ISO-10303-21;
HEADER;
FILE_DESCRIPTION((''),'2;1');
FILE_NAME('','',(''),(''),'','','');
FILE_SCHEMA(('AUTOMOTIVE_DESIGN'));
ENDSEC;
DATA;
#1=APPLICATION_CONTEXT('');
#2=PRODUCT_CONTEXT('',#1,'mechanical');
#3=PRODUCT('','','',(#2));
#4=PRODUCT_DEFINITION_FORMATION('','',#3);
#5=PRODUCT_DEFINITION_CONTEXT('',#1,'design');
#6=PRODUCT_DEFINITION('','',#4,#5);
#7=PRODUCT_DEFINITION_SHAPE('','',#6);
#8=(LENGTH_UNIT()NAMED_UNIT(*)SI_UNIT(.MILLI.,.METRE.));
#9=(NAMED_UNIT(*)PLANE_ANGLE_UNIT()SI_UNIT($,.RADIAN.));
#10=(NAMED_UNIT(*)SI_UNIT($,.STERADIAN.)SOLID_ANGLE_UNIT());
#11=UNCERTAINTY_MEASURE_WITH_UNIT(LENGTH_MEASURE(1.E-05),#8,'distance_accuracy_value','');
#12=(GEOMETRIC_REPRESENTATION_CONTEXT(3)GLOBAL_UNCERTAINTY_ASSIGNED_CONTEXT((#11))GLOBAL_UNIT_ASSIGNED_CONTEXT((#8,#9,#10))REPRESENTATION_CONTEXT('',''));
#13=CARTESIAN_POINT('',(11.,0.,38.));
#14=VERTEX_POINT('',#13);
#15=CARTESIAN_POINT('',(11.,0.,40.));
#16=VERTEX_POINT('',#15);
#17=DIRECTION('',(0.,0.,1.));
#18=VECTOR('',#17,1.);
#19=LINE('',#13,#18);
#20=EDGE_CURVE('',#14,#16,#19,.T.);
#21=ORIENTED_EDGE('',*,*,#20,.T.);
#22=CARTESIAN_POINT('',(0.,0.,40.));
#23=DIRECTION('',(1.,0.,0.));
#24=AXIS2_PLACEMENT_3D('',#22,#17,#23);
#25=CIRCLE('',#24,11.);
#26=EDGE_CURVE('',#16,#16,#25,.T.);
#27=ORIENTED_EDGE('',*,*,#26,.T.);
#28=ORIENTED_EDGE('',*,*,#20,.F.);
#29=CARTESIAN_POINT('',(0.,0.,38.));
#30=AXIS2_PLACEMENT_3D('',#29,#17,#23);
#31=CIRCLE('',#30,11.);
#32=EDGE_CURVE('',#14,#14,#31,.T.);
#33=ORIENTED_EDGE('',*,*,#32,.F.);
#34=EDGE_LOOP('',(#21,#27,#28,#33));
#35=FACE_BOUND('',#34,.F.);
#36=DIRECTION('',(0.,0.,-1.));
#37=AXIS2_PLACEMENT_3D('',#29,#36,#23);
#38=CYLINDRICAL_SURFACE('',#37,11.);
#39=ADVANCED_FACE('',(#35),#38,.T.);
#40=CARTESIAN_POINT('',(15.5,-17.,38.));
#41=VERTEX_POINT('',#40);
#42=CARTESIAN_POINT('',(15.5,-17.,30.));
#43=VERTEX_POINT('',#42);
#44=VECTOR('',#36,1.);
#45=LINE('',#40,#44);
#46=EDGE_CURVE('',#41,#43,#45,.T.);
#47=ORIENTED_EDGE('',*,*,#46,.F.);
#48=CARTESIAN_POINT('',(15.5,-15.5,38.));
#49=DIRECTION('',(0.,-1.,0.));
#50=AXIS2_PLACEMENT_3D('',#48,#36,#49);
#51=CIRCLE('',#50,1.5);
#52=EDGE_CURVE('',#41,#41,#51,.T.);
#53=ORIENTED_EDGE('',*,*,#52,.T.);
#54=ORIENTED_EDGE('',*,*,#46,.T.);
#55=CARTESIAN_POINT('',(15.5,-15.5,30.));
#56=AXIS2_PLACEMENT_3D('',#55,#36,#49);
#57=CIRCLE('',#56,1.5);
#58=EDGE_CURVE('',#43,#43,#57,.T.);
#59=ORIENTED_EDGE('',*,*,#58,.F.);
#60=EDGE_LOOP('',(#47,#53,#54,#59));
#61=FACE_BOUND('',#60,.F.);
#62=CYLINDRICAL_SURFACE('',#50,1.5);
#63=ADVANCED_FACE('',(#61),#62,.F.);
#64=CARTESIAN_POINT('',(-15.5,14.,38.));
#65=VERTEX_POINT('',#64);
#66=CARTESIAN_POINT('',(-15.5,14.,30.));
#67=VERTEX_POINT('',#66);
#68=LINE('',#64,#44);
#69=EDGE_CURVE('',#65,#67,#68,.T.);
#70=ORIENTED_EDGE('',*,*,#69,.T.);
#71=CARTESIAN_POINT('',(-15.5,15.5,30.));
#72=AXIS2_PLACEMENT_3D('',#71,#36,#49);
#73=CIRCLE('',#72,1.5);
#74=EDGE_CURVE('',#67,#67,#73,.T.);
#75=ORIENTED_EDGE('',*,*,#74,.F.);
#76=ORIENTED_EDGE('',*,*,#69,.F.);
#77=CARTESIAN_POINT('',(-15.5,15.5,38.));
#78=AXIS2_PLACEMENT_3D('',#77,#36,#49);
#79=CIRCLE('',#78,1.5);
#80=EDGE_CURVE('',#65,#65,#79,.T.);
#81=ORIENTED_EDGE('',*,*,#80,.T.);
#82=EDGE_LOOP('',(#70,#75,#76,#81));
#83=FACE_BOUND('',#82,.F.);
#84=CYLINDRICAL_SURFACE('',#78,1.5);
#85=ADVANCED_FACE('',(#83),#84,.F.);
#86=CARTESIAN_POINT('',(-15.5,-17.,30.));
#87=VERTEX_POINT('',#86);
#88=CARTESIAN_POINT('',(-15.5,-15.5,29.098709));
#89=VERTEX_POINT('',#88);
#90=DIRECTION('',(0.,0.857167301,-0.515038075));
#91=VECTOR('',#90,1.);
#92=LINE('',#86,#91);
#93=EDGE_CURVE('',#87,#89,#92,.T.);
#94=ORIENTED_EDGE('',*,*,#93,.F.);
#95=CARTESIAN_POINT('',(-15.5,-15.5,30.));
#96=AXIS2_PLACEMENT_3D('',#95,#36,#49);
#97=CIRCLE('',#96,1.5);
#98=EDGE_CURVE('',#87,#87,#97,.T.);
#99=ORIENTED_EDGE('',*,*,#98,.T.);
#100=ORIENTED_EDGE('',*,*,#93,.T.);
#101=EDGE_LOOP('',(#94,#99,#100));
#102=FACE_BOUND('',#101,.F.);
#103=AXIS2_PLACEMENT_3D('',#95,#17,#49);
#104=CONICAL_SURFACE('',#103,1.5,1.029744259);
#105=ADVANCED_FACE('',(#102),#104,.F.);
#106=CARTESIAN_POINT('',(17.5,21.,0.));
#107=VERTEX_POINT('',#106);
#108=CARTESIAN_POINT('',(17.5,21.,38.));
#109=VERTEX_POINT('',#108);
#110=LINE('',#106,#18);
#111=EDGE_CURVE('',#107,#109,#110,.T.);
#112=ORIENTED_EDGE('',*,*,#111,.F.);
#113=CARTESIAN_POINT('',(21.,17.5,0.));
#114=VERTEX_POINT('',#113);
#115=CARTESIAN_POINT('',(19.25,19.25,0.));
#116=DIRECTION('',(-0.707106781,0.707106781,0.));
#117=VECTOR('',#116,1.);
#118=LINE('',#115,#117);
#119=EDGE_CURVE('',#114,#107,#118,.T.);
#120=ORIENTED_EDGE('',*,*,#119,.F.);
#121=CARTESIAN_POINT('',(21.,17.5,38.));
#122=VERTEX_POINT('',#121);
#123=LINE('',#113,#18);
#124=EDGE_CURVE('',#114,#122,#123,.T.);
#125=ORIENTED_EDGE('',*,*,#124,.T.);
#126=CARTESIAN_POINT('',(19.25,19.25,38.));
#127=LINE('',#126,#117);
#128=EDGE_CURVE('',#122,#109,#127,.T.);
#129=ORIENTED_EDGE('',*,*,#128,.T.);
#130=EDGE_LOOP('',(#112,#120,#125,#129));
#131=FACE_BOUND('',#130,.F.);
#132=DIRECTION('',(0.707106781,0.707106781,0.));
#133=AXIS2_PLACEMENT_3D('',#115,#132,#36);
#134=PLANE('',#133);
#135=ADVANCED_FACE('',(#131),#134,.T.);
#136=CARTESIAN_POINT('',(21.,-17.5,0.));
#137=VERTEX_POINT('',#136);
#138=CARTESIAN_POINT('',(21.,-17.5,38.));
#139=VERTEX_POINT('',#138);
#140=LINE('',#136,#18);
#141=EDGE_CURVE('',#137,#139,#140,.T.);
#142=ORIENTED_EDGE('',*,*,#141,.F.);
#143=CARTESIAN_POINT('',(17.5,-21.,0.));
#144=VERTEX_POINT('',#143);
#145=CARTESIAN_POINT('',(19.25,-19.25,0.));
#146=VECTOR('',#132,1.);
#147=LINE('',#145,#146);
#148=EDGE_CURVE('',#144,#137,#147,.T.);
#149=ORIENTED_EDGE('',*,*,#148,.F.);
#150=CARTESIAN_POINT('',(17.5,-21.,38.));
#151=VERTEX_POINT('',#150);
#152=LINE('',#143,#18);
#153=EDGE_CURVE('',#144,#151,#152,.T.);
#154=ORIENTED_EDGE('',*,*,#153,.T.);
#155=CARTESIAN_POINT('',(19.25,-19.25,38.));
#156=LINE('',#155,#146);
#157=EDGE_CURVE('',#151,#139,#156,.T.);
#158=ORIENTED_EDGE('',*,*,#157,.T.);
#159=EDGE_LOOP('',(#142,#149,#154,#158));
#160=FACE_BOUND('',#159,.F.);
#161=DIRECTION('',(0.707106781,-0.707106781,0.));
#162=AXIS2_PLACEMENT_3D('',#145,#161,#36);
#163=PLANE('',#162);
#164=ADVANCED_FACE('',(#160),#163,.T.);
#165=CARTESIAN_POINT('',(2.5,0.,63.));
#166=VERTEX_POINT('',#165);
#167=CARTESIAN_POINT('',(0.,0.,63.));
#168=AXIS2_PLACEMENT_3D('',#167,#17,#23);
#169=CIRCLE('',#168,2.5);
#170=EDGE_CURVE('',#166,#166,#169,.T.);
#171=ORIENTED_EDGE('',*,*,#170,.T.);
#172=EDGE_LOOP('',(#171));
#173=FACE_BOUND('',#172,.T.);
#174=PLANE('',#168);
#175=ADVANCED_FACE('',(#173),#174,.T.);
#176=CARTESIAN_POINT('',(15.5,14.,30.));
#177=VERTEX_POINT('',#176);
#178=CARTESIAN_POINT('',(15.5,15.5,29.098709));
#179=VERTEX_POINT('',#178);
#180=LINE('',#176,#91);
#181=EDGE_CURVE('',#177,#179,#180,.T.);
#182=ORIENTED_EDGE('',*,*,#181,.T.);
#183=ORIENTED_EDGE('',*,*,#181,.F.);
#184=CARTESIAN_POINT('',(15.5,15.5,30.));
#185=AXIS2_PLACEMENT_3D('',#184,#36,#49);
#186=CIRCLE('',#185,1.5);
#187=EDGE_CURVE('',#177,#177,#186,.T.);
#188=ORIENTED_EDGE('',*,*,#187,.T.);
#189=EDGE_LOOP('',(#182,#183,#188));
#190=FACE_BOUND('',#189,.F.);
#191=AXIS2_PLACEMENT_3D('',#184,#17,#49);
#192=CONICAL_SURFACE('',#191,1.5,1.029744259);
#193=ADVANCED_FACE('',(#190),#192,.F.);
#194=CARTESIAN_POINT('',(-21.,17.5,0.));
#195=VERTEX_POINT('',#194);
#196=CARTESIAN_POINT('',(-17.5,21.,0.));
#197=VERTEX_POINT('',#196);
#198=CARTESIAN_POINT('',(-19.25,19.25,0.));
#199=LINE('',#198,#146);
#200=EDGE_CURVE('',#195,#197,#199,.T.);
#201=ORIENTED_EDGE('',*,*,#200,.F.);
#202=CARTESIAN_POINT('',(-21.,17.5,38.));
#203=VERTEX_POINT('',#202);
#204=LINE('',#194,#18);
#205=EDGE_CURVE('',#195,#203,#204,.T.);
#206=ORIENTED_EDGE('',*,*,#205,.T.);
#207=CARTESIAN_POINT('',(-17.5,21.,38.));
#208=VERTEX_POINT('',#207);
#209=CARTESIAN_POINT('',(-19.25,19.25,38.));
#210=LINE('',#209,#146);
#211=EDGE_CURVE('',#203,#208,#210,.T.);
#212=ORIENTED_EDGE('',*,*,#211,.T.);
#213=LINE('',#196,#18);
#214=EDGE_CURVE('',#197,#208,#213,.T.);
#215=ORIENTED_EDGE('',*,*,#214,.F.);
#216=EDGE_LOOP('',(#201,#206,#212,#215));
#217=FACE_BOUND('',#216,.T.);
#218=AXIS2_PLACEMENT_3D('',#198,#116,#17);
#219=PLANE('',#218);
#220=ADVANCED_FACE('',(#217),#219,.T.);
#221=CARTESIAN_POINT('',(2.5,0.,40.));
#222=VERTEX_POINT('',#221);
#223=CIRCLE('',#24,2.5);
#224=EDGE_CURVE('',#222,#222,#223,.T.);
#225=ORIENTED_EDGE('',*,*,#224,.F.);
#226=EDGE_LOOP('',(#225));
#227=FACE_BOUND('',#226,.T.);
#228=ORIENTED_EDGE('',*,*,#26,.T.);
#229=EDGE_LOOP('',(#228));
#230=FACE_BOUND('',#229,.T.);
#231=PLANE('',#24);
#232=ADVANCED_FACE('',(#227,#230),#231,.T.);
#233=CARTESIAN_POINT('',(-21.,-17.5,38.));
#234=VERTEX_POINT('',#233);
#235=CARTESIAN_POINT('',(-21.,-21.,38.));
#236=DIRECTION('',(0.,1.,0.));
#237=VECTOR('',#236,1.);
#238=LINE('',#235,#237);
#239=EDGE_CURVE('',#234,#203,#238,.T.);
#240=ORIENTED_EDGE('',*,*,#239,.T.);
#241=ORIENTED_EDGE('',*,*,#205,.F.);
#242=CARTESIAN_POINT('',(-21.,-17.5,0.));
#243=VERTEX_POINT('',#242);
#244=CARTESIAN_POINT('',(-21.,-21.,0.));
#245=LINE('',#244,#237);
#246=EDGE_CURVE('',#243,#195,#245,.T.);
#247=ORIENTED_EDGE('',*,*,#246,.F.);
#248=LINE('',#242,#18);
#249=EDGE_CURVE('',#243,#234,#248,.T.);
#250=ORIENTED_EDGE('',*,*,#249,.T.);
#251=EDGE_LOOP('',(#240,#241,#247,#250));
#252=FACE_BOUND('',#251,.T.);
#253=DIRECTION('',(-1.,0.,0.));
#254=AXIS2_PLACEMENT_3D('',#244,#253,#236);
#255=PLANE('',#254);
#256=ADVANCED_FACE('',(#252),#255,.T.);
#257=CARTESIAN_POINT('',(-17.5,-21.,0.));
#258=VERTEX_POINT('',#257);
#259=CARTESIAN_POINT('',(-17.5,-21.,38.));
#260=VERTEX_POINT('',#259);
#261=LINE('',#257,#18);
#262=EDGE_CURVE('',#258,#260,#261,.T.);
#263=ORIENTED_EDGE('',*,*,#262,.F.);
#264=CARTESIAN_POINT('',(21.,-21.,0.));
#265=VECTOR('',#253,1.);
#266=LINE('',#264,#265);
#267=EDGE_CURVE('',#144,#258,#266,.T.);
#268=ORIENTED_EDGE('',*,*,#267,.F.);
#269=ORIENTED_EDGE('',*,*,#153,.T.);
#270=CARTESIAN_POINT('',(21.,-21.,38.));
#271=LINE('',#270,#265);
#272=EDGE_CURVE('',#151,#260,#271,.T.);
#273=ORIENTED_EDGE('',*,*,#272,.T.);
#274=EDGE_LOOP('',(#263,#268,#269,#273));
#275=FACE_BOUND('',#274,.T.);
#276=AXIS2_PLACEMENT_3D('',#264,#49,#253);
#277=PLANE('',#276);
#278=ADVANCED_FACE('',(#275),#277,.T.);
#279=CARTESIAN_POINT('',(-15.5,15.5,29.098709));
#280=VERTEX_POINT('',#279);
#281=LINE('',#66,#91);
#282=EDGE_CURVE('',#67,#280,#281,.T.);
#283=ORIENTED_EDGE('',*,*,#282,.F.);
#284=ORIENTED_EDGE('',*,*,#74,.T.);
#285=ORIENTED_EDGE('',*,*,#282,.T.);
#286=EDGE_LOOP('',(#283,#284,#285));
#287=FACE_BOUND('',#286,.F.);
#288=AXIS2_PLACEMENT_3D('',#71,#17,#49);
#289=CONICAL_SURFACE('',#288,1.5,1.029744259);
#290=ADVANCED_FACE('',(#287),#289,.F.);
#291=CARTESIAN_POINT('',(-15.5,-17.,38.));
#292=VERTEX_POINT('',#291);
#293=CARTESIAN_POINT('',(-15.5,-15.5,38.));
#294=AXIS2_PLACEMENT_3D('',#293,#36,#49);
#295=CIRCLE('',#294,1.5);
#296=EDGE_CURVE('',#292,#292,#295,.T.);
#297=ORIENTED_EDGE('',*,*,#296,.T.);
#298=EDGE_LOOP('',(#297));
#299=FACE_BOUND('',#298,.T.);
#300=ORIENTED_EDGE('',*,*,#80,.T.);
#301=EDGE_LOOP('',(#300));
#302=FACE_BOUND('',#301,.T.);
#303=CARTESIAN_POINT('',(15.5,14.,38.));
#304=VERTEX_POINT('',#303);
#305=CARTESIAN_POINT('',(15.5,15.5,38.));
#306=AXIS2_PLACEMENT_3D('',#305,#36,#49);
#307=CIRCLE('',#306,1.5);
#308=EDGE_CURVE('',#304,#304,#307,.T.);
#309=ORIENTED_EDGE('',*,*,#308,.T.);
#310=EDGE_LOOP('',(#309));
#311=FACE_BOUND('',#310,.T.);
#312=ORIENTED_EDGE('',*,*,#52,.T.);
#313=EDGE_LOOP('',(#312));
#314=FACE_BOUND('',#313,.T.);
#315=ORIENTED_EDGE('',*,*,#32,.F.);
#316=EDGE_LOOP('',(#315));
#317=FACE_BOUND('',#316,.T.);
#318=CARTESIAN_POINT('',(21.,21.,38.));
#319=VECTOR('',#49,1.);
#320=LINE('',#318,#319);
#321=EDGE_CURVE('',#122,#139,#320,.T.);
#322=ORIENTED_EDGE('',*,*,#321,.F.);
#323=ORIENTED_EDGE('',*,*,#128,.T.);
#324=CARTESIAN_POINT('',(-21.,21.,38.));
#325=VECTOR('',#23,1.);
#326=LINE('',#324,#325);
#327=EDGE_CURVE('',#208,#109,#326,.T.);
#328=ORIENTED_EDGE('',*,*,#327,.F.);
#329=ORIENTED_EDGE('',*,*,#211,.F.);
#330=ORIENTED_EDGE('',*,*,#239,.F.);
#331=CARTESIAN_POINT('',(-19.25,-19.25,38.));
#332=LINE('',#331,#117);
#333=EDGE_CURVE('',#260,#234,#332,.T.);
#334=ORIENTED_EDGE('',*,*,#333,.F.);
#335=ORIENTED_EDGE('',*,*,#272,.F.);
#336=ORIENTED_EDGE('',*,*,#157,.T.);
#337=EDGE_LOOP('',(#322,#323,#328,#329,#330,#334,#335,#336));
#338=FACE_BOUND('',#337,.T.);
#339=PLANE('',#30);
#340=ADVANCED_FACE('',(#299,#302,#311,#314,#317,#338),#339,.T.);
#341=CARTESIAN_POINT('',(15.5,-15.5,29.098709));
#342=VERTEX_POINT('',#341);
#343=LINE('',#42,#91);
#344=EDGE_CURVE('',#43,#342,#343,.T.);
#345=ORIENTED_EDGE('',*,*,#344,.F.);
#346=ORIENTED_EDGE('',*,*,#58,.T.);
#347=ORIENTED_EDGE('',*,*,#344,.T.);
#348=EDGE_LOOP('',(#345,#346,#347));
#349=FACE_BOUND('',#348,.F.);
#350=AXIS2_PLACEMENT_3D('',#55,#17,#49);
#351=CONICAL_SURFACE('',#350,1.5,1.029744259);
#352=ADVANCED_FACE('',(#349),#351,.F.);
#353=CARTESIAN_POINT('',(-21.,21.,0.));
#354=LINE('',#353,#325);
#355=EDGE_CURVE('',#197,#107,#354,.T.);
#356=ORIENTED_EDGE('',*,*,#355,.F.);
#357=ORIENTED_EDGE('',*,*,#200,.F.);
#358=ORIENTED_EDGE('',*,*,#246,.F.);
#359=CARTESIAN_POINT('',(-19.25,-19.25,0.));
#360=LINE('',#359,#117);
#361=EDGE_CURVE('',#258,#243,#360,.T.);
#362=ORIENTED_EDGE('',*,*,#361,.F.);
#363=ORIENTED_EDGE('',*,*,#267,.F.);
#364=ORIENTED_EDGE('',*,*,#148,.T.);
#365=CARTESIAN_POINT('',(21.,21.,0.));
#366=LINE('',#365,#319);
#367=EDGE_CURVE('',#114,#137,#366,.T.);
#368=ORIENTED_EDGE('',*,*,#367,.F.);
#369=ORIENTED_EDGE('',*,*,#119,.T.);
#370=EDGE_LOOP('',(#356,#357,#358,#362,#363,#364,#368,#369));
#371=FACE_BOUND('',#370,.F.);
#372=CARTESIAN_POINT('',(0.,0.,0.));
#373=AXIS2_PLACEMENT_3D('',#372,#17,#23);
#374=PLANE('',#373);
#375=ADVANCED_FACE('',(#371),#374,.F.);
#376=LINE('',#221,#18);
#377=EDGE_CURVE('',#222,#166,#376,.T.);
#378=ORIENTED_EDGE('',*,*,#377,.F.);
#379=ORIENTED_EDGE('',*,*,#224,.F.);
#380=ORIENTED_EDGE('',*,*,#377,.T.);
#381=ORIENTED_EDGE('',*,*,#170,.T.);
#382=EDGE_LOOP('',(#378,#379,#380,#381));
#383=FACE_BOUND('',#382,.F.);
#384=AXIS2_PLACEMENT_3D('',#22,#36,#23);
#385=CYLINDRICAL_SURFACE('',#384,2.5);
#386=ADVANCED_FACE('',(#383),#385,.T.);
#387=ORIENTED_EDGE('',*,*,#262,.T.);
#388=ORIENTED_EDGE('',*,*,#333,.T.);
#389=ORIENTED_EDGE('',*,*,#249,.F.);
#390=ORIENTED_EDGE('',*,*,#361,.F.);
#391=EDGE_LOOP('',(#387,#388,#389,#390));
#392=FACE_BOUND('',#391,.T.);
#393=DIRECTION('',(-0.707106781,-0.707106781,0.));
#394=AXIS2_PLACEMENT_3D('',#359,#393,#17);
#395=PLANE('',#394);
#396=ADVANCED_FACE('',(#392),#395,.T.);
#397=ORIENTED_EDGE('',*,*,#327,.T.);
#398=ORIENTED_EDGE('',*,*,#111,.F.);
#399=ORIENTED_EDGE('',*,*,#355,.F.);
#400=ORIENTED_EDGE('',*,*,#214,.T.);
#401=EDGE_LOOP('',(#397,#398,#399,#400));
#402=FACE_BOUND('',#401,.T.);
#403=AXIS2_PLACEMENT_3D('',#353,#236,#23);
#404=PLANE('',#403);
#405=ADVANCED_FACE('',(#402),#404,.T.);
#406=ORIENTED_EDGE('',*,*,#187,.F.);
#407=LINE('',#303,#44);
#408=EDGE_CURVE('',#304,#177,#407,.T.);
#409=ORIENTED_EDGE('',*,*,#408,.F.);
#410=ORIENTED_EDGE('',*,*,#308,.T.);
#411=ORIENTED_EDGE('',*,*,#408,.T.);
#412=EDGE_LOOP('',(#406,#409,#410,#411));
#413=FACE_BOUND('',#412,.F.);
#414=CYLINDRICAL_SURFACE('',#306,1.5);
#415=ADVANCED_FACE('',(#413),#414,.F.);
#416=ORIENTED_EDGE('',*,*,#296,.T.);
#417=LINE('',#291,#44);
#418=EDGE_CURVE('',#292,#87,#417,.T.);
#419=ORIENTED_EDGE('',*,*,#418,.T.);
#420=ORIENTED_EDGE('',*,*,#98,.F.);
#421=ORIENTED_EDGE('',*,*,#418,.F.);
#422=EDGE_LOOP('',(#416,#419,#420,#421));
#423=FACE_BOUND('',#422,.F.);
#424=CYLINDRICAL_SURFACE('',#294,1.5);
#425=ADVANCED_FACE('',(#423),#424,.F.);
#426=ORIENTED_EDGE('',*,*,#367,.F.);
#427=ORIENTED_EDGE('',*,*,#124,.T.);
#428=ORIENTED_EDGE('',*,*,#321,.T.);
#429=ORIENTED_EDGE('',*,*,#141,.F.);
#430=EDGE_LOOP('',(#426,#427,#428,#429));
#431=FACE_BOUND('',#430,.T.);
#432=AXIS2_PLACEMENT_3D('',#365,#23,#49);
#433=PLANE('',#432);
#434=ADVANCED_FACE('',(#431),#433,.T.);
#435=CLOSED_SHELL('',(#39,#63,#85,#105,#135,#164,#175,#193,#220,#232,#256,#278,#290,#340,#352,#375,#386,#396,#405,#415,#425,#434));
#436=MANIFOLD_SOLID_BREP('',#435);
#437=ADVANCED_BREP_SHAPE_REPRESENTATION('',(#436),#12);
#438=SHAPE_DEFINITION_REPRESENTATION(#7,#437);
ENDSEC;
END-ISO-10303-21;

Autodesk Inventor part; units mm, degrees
ref_plane "YZ Plane" through (0, 0, 0) normal (1, 0, 0) x (0, 1, 0)
ref_plane "XZ Plane" through (0, 0, 0) normal (0, 1, 0) x (-1, 0, 0)
ref_plane "XY Plane" through (0, 0, 0) normal (0, 0, 1) x (1, 0, 0)
sketch "Sketch1" plane through (0, 0, 0) normal (0, 0, 1) x (1, 0, 0)
  line L0 (21, -21) -> (-21, -21)
  line L1 (-21, -21) -> (-21, 21)
  line L2 (-21, 21) -> (21, 21)
  line L3 (21, 21) -> (21, -21)
  line L4 (21, -21) -> (-21, 21) construction
  line L5 (-21, -21) -> (21, 21) construction
  point P0 (0, 0)
  dimension "d0" = 42
extrude "Extrusion1" add sketch "Sketch1" along normal blind 38
sketch "Sketch2" plane through (0, 0, 38) normal (0, 0, 1) x (1, 0, 0)
  point P0 (0, 0)
  point P1 (-15.5, 15.5)
  point P2 (-15.5, -15.5)
  point P3 (15.5, -15.5)
  point P4 (15.5, 15.5)
  dimension "d3" = 31
  dimension "d4" = 31
  dimension "d5" = 15.5
  dimension "d6" = 15.5
hole "Hole1" at (-15.5, 15.5, 38) at (-15.5, -15.5, 38) at (15.5, -15.5, 38) at (15.5, 15.5, 38) direction (0, 0, -1) diameter 3 depth 8 tip angle 118
chamfer "Chamfer1" distance 3.5 angle 45 4 edges at (21, 21, 19) (21, -21, 19) (-21, 21, 19) (-21, -21, 19)
sketch "Sketch3" plane through (0, 0, 38) normal (0, 0, 1) x (1, 0, 0)
  circle A0 centre (0, 0) radius 11
  dimension "d17" = 22
extrude "Extrusion2" add sketch "Sketch3" along normal blind 2
sketch "Sketch4" plane through (0, 0, 40) normal (0, 0, 1) x (1, 0, 0)
  circle A0 centre (0, 0) radius 11 projected
  circle A1 centre (0, 0) radius 2.5
  dimension "d20" = 5
extrude "Extrusion3" add sketch "Sketch4" along normal blind 23 contours A1
equation "\"d4\" = d3"
equation "\"d5\" = 0.5 * d3"
equation "\"d6\" = 0.5 * d3"
properties part number "Z Axis Motor (Stepper)" material "Steel, Alloy"
